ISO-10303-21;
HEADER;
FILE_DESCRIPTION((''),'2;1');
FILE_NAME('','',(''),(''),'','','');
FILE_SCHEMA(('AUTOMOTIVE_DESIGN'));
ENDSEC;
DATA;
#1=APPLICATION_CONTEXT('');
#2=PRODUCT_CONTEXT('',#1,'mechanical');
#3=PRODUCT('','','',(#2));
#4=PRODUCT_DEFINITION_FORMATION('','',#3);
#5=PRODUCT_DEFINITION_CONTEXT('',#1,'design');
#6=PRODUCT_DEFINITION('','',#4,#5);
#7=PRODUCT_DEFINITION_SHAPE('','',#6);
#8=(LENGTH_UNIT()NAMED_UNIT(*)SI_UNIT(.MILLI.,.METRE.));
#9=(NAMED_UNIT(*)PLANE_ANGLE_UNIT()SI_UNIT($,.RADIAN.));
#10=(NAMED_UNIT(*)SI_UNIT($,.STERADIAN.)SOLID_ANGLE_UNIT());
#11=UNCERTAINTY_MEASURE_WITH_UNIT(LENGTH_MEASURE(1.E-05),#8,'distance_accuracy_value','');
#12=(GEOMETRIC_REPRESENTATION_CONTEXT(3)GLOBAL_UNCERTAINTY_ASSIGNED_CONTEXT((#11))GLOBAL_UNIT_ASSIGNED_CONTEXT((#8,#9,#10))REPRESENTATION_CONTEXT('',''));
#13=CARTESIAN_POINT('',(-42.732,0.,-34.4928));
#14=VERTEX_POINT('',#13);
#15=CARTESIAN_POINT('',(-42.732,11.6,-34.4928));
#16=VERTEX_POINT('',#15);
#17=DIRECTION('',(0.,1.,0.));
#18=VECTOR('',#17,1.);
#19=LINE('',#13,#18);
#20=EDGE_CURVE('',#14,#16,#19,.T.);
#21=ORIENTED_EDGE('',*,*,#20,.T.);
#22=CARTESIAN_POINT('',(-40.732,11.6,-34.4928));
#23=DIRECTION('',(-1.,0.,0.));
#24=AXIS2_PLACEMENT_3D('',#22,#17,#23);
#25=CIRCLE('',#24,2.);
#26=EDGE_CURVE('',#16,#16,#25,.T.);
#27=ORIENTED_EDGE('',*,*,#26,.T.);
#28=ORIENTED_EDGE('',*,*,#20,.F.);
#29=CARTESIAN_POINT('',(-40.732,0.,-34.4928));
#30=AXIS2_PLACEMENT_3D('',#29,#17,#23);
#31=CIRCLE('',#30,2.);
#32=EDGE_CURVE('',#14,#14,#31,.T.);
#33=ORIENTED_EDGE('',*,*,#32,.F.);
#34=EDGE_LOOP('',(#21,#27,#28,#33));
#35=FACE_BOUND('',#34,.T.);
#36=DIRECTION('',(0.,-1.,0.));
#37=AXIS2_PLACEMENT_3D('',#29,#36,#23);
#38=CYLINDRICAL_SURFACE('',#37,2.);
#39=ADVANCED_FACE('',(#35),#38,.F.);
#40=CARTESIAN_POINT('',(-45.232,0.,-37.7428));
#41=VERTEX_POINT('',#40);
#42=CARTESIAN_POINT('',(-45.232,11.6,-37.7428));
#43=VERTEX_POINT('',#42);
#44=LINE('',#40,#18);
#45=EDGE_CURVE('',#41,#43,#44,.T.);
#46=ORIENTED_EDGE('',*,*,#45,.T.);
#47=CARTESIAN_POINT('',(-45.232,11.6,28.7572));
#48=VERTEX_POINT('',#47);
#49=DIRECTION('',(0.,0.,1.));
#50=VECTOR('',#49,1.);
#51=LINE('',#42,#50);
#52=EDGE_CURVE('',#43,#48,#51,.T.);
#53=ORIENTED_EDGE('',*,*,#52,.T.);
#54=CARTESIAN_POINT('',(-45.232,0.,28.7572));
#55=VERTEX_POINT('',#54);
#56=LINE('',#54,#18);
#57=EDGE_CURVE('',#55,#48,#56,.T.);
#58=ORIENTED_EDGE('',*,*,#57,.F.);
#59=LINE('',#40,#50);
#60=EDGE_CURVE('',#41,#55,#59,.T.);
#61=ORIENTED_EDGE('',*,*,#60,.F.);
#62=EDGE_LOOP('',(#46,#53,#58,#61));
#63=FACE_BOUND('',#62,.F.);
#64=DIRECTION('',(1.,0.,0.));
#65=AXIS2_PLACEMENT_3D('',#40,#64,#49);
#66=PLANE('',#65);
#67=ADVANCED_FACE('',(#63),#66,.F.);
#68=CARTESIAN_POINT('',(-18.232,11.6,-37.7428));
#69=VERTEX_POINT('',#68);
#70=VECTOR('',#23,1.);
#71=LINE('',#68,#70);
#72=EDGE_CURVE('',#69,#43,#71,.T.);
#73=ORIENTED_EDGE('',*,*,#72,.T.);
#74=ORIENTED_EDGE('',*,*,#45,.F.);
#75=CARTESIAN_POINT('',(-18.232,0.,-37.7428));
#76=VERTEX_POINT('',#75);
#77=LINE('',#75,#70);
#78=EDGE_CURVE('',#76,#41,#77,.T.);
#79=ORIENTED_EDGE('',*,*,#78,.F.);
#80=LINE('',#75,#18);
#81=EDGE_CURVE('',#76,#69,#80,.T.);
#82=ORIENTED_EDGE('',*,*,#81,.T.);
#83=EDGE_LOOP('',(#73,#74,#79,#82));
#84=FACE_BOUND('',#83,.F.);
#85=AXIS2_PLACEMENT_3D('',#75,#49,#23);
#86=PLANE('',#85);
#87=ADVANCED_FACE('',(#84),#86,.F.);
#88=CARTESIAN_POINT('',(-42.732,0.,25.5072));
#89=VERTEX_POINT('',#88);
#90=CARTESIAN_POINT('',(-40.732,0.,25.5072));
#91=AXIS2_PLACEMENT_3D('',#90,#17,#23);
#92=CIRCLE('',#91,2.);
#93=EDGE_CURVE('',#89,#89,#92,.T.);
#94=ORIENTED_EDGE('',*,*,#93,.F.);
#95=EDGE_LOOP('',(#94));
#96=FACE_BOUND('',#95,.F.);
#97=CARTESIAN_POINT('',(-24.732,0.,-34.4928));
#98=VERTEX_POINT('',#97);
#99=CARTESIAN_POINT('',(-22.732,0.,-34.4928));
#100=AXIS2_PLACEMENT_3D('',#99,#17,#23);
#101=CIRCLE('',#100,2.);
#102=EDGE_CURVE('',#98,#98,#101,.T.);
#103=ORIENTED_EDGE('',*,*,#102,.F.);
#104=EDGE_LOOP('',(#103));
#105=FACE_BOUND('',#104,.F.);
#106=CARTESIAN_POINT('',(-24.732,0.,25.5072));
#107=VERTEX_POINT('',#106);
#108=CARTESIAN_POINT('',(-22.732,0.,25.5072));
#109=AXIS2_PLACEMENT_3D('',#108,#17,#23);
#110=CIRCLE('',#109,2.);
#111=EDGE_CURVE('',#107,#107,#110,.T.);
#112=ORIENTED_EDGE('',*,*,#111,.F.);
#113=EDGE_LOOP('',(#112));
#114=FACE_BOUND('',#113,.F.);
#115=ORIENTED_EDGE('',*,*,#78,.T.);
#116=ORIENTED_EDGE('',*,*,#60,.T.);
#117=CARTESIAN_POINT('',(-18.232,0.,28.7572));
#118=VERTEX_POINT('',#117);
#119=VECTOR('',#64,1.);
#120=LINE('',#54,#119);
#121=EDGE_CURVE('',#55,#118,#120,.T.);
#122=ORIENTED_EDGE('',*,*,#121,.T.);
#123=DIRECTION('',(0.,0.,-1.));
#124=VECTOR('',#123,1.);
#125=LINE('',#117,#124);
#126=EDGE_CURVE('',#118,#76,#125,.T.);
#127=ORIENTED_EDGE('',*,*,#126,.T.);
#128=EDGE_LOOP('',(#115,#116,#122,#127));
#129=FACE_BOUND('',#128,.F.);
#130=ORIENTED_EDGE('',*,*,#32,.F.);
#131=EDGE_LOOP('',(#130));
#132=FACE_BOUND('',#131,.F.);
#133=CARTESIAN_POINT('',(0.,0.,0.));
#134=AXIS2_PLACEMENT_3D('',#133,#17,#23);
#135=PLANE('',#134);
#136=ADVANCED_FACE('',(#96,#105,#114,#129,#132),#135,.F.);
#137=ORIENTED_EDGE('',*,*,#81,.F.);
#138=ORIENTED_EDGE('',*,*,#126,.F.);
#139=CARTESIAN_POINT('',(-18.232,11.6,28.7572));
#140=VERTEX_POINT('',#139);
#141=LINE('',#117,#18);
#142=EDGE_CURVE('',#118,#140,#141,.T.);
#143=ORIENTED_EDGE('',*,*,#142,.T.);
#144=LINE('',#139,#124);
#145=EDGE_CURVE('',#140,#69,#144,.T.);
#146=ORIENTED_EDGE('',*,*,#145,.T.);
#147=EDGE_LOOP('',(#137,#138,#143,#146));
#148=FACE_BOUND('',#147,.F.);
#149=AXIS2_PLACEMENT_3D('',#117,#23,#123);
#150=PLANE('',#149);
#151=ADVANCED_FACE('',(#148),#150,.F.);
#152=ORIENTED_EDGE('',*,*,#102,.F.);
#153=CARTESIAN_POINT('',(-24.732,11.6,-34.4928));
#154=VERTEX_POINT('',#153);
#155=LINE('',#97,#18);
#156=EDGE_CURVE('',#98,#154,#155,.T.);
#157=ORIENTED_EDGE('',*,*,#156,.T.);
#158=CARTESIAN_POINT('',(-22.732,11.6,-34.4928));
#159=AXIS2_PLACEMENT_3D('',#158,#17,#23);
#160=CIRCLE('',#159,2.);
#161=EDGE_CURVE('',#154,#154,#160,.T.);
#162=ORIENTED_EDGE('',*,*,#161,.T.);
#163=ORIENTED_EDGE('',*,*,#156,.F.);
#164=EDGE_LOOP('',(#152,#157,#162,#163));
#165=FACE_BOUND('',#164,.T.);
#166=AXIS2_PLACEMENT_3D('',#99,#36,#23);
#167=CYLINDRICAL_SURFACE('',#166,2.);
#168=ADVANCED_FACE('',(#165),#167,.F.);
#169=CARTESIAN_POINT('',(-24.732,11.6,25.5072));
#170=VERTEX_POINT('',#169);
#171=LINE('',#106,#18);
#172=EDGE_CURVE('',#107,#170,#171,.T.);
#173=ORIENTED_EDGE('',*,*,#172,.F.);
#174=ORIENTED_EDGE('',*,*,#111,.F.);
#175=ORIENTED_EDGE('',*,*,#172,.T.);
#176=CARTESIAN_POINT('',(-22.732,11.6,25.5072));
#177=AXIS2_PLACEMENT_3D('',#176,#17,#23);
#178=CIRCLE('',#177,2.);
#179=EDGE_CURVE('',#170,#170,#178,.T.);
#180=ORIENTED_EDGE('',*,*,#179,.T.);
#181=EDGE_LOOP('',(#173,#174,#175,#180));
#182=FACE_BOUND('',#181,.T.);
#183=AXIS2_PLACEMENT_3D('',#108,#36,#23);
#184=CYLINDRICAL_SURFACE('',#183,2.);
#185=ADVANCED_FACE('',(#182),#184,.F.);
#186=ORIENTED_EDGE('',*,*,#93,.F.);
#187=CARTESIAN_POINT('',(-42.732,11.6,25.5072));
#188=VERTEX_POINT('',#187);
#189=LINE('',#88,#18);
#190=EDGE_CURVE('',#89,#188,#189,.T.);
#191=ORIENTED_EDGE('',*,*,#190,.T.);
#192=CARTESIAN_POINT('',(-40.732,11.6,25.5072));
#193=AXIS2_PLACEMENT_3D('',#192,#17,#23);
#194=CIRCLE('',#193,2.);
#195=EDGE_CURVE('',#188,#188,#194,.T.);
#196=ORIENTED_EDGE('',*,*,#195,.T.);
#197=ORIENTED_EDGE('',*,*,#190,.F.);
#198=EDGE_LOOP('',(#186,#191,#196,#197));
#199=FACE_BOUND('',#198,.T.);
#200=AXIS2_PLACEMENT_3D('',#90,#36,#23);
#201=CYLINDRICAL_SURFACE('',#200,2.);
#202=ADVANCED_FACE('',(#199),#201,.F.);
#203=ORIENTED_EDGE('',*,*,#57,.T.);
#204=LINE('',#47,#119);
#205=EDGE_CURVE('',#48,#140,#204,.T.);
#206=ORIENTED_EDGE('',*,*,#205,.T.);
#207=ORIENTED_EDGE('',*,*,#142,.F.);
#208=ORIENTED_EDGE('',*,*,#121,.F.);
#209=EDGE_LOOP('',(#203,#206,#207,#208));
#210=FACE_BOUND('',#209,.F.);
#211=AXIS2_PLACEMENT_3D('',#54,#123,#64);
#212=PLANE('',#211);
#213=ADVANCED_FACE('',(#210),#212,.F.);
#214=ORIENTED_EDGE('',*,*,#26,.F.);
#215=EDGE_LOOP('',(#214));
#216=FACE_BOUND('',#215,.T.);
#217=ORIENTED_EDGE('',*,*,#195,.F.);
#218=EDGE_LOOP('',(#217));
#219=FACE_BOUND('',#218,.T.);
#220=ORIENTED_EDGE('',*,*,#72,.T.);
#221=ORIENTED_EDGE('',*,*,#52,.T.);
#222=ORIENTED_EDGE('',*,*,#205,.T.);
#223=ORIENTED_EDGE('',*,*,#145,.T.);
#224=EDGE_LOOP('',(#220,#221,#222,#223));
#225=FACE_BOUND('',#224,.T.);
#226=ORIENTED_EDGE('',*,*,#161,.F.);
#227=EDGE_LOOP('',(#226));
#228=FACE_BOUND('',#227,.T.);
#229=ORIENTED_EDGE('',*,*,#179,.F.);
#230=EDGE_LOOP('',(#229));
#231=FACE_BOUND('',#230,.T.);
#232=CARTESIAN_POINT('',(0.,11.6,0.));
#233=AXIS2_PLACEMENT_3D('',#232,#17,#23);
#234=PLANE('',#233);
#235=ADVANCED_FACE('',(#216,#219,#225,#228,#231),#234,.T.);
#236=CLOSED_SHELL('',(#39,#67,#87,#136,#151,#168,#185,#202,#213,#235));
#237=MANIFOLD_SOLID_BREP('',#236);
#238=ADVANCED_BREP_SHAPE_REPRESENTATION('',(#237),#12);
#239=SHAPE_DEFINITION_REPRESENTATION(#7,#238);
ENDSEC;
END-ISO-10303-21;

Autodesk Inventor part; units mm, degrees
ref_plane "YZ Plane" through (0, 0, 0) normal (1, 0, 0) x (0, 1, 0)
ref_plane "XZ Plane" through (0, 0, 0) normal (0, 1, 0) x (-1, 0, 0)
ref_plane "XY Plane" through (0, 0, 0) normal (0, 0, 1) x (1, 0, 0)
sketch "Sketch1" plane through (0, 0, 0) normal (0, 1, 0) x (-1, 0, 0)
  line L0 (45.232, 28.7572) -> (18.232, 28.7572)
  line L1 (18.232, 28.7572) -> (18.232, -37.7428)
  line L2 (18.232, -37.7428) -> (45.232, -37.7428)
  line L3 (45.232, -37.7428) -> (45.232, 28.7572)
  circle A0 centre (40.732, -34.4928) radius 2
  circle A1 centre (22.732, -34.4928) radius 2
  circle A2 centre (40.732, 25.5072) radius 2
  circle A3 centre (22.732, 25.5072) radius 2
  point P0 (0, 0)
  dimension "d0" = 66.5
  dimension "d1" = 27
  dimension "d2" = 4
  dimension "d3" = 4
  dimension "d4" = 18
  dimension "d5" = 4.5
  dimension "d6" = 4
  dimension "d7" = 60
  dimension "d9" = 4
  dimension "d10" = 18
  dimension "d11" = 60
  dimension "d15" = 3.25
  dimension "d16" = 3.25
extrude "Extrusion1" add sketch "Sketch1" along normal blind 11.6
properties part number "openCM904" material "Titanium"
